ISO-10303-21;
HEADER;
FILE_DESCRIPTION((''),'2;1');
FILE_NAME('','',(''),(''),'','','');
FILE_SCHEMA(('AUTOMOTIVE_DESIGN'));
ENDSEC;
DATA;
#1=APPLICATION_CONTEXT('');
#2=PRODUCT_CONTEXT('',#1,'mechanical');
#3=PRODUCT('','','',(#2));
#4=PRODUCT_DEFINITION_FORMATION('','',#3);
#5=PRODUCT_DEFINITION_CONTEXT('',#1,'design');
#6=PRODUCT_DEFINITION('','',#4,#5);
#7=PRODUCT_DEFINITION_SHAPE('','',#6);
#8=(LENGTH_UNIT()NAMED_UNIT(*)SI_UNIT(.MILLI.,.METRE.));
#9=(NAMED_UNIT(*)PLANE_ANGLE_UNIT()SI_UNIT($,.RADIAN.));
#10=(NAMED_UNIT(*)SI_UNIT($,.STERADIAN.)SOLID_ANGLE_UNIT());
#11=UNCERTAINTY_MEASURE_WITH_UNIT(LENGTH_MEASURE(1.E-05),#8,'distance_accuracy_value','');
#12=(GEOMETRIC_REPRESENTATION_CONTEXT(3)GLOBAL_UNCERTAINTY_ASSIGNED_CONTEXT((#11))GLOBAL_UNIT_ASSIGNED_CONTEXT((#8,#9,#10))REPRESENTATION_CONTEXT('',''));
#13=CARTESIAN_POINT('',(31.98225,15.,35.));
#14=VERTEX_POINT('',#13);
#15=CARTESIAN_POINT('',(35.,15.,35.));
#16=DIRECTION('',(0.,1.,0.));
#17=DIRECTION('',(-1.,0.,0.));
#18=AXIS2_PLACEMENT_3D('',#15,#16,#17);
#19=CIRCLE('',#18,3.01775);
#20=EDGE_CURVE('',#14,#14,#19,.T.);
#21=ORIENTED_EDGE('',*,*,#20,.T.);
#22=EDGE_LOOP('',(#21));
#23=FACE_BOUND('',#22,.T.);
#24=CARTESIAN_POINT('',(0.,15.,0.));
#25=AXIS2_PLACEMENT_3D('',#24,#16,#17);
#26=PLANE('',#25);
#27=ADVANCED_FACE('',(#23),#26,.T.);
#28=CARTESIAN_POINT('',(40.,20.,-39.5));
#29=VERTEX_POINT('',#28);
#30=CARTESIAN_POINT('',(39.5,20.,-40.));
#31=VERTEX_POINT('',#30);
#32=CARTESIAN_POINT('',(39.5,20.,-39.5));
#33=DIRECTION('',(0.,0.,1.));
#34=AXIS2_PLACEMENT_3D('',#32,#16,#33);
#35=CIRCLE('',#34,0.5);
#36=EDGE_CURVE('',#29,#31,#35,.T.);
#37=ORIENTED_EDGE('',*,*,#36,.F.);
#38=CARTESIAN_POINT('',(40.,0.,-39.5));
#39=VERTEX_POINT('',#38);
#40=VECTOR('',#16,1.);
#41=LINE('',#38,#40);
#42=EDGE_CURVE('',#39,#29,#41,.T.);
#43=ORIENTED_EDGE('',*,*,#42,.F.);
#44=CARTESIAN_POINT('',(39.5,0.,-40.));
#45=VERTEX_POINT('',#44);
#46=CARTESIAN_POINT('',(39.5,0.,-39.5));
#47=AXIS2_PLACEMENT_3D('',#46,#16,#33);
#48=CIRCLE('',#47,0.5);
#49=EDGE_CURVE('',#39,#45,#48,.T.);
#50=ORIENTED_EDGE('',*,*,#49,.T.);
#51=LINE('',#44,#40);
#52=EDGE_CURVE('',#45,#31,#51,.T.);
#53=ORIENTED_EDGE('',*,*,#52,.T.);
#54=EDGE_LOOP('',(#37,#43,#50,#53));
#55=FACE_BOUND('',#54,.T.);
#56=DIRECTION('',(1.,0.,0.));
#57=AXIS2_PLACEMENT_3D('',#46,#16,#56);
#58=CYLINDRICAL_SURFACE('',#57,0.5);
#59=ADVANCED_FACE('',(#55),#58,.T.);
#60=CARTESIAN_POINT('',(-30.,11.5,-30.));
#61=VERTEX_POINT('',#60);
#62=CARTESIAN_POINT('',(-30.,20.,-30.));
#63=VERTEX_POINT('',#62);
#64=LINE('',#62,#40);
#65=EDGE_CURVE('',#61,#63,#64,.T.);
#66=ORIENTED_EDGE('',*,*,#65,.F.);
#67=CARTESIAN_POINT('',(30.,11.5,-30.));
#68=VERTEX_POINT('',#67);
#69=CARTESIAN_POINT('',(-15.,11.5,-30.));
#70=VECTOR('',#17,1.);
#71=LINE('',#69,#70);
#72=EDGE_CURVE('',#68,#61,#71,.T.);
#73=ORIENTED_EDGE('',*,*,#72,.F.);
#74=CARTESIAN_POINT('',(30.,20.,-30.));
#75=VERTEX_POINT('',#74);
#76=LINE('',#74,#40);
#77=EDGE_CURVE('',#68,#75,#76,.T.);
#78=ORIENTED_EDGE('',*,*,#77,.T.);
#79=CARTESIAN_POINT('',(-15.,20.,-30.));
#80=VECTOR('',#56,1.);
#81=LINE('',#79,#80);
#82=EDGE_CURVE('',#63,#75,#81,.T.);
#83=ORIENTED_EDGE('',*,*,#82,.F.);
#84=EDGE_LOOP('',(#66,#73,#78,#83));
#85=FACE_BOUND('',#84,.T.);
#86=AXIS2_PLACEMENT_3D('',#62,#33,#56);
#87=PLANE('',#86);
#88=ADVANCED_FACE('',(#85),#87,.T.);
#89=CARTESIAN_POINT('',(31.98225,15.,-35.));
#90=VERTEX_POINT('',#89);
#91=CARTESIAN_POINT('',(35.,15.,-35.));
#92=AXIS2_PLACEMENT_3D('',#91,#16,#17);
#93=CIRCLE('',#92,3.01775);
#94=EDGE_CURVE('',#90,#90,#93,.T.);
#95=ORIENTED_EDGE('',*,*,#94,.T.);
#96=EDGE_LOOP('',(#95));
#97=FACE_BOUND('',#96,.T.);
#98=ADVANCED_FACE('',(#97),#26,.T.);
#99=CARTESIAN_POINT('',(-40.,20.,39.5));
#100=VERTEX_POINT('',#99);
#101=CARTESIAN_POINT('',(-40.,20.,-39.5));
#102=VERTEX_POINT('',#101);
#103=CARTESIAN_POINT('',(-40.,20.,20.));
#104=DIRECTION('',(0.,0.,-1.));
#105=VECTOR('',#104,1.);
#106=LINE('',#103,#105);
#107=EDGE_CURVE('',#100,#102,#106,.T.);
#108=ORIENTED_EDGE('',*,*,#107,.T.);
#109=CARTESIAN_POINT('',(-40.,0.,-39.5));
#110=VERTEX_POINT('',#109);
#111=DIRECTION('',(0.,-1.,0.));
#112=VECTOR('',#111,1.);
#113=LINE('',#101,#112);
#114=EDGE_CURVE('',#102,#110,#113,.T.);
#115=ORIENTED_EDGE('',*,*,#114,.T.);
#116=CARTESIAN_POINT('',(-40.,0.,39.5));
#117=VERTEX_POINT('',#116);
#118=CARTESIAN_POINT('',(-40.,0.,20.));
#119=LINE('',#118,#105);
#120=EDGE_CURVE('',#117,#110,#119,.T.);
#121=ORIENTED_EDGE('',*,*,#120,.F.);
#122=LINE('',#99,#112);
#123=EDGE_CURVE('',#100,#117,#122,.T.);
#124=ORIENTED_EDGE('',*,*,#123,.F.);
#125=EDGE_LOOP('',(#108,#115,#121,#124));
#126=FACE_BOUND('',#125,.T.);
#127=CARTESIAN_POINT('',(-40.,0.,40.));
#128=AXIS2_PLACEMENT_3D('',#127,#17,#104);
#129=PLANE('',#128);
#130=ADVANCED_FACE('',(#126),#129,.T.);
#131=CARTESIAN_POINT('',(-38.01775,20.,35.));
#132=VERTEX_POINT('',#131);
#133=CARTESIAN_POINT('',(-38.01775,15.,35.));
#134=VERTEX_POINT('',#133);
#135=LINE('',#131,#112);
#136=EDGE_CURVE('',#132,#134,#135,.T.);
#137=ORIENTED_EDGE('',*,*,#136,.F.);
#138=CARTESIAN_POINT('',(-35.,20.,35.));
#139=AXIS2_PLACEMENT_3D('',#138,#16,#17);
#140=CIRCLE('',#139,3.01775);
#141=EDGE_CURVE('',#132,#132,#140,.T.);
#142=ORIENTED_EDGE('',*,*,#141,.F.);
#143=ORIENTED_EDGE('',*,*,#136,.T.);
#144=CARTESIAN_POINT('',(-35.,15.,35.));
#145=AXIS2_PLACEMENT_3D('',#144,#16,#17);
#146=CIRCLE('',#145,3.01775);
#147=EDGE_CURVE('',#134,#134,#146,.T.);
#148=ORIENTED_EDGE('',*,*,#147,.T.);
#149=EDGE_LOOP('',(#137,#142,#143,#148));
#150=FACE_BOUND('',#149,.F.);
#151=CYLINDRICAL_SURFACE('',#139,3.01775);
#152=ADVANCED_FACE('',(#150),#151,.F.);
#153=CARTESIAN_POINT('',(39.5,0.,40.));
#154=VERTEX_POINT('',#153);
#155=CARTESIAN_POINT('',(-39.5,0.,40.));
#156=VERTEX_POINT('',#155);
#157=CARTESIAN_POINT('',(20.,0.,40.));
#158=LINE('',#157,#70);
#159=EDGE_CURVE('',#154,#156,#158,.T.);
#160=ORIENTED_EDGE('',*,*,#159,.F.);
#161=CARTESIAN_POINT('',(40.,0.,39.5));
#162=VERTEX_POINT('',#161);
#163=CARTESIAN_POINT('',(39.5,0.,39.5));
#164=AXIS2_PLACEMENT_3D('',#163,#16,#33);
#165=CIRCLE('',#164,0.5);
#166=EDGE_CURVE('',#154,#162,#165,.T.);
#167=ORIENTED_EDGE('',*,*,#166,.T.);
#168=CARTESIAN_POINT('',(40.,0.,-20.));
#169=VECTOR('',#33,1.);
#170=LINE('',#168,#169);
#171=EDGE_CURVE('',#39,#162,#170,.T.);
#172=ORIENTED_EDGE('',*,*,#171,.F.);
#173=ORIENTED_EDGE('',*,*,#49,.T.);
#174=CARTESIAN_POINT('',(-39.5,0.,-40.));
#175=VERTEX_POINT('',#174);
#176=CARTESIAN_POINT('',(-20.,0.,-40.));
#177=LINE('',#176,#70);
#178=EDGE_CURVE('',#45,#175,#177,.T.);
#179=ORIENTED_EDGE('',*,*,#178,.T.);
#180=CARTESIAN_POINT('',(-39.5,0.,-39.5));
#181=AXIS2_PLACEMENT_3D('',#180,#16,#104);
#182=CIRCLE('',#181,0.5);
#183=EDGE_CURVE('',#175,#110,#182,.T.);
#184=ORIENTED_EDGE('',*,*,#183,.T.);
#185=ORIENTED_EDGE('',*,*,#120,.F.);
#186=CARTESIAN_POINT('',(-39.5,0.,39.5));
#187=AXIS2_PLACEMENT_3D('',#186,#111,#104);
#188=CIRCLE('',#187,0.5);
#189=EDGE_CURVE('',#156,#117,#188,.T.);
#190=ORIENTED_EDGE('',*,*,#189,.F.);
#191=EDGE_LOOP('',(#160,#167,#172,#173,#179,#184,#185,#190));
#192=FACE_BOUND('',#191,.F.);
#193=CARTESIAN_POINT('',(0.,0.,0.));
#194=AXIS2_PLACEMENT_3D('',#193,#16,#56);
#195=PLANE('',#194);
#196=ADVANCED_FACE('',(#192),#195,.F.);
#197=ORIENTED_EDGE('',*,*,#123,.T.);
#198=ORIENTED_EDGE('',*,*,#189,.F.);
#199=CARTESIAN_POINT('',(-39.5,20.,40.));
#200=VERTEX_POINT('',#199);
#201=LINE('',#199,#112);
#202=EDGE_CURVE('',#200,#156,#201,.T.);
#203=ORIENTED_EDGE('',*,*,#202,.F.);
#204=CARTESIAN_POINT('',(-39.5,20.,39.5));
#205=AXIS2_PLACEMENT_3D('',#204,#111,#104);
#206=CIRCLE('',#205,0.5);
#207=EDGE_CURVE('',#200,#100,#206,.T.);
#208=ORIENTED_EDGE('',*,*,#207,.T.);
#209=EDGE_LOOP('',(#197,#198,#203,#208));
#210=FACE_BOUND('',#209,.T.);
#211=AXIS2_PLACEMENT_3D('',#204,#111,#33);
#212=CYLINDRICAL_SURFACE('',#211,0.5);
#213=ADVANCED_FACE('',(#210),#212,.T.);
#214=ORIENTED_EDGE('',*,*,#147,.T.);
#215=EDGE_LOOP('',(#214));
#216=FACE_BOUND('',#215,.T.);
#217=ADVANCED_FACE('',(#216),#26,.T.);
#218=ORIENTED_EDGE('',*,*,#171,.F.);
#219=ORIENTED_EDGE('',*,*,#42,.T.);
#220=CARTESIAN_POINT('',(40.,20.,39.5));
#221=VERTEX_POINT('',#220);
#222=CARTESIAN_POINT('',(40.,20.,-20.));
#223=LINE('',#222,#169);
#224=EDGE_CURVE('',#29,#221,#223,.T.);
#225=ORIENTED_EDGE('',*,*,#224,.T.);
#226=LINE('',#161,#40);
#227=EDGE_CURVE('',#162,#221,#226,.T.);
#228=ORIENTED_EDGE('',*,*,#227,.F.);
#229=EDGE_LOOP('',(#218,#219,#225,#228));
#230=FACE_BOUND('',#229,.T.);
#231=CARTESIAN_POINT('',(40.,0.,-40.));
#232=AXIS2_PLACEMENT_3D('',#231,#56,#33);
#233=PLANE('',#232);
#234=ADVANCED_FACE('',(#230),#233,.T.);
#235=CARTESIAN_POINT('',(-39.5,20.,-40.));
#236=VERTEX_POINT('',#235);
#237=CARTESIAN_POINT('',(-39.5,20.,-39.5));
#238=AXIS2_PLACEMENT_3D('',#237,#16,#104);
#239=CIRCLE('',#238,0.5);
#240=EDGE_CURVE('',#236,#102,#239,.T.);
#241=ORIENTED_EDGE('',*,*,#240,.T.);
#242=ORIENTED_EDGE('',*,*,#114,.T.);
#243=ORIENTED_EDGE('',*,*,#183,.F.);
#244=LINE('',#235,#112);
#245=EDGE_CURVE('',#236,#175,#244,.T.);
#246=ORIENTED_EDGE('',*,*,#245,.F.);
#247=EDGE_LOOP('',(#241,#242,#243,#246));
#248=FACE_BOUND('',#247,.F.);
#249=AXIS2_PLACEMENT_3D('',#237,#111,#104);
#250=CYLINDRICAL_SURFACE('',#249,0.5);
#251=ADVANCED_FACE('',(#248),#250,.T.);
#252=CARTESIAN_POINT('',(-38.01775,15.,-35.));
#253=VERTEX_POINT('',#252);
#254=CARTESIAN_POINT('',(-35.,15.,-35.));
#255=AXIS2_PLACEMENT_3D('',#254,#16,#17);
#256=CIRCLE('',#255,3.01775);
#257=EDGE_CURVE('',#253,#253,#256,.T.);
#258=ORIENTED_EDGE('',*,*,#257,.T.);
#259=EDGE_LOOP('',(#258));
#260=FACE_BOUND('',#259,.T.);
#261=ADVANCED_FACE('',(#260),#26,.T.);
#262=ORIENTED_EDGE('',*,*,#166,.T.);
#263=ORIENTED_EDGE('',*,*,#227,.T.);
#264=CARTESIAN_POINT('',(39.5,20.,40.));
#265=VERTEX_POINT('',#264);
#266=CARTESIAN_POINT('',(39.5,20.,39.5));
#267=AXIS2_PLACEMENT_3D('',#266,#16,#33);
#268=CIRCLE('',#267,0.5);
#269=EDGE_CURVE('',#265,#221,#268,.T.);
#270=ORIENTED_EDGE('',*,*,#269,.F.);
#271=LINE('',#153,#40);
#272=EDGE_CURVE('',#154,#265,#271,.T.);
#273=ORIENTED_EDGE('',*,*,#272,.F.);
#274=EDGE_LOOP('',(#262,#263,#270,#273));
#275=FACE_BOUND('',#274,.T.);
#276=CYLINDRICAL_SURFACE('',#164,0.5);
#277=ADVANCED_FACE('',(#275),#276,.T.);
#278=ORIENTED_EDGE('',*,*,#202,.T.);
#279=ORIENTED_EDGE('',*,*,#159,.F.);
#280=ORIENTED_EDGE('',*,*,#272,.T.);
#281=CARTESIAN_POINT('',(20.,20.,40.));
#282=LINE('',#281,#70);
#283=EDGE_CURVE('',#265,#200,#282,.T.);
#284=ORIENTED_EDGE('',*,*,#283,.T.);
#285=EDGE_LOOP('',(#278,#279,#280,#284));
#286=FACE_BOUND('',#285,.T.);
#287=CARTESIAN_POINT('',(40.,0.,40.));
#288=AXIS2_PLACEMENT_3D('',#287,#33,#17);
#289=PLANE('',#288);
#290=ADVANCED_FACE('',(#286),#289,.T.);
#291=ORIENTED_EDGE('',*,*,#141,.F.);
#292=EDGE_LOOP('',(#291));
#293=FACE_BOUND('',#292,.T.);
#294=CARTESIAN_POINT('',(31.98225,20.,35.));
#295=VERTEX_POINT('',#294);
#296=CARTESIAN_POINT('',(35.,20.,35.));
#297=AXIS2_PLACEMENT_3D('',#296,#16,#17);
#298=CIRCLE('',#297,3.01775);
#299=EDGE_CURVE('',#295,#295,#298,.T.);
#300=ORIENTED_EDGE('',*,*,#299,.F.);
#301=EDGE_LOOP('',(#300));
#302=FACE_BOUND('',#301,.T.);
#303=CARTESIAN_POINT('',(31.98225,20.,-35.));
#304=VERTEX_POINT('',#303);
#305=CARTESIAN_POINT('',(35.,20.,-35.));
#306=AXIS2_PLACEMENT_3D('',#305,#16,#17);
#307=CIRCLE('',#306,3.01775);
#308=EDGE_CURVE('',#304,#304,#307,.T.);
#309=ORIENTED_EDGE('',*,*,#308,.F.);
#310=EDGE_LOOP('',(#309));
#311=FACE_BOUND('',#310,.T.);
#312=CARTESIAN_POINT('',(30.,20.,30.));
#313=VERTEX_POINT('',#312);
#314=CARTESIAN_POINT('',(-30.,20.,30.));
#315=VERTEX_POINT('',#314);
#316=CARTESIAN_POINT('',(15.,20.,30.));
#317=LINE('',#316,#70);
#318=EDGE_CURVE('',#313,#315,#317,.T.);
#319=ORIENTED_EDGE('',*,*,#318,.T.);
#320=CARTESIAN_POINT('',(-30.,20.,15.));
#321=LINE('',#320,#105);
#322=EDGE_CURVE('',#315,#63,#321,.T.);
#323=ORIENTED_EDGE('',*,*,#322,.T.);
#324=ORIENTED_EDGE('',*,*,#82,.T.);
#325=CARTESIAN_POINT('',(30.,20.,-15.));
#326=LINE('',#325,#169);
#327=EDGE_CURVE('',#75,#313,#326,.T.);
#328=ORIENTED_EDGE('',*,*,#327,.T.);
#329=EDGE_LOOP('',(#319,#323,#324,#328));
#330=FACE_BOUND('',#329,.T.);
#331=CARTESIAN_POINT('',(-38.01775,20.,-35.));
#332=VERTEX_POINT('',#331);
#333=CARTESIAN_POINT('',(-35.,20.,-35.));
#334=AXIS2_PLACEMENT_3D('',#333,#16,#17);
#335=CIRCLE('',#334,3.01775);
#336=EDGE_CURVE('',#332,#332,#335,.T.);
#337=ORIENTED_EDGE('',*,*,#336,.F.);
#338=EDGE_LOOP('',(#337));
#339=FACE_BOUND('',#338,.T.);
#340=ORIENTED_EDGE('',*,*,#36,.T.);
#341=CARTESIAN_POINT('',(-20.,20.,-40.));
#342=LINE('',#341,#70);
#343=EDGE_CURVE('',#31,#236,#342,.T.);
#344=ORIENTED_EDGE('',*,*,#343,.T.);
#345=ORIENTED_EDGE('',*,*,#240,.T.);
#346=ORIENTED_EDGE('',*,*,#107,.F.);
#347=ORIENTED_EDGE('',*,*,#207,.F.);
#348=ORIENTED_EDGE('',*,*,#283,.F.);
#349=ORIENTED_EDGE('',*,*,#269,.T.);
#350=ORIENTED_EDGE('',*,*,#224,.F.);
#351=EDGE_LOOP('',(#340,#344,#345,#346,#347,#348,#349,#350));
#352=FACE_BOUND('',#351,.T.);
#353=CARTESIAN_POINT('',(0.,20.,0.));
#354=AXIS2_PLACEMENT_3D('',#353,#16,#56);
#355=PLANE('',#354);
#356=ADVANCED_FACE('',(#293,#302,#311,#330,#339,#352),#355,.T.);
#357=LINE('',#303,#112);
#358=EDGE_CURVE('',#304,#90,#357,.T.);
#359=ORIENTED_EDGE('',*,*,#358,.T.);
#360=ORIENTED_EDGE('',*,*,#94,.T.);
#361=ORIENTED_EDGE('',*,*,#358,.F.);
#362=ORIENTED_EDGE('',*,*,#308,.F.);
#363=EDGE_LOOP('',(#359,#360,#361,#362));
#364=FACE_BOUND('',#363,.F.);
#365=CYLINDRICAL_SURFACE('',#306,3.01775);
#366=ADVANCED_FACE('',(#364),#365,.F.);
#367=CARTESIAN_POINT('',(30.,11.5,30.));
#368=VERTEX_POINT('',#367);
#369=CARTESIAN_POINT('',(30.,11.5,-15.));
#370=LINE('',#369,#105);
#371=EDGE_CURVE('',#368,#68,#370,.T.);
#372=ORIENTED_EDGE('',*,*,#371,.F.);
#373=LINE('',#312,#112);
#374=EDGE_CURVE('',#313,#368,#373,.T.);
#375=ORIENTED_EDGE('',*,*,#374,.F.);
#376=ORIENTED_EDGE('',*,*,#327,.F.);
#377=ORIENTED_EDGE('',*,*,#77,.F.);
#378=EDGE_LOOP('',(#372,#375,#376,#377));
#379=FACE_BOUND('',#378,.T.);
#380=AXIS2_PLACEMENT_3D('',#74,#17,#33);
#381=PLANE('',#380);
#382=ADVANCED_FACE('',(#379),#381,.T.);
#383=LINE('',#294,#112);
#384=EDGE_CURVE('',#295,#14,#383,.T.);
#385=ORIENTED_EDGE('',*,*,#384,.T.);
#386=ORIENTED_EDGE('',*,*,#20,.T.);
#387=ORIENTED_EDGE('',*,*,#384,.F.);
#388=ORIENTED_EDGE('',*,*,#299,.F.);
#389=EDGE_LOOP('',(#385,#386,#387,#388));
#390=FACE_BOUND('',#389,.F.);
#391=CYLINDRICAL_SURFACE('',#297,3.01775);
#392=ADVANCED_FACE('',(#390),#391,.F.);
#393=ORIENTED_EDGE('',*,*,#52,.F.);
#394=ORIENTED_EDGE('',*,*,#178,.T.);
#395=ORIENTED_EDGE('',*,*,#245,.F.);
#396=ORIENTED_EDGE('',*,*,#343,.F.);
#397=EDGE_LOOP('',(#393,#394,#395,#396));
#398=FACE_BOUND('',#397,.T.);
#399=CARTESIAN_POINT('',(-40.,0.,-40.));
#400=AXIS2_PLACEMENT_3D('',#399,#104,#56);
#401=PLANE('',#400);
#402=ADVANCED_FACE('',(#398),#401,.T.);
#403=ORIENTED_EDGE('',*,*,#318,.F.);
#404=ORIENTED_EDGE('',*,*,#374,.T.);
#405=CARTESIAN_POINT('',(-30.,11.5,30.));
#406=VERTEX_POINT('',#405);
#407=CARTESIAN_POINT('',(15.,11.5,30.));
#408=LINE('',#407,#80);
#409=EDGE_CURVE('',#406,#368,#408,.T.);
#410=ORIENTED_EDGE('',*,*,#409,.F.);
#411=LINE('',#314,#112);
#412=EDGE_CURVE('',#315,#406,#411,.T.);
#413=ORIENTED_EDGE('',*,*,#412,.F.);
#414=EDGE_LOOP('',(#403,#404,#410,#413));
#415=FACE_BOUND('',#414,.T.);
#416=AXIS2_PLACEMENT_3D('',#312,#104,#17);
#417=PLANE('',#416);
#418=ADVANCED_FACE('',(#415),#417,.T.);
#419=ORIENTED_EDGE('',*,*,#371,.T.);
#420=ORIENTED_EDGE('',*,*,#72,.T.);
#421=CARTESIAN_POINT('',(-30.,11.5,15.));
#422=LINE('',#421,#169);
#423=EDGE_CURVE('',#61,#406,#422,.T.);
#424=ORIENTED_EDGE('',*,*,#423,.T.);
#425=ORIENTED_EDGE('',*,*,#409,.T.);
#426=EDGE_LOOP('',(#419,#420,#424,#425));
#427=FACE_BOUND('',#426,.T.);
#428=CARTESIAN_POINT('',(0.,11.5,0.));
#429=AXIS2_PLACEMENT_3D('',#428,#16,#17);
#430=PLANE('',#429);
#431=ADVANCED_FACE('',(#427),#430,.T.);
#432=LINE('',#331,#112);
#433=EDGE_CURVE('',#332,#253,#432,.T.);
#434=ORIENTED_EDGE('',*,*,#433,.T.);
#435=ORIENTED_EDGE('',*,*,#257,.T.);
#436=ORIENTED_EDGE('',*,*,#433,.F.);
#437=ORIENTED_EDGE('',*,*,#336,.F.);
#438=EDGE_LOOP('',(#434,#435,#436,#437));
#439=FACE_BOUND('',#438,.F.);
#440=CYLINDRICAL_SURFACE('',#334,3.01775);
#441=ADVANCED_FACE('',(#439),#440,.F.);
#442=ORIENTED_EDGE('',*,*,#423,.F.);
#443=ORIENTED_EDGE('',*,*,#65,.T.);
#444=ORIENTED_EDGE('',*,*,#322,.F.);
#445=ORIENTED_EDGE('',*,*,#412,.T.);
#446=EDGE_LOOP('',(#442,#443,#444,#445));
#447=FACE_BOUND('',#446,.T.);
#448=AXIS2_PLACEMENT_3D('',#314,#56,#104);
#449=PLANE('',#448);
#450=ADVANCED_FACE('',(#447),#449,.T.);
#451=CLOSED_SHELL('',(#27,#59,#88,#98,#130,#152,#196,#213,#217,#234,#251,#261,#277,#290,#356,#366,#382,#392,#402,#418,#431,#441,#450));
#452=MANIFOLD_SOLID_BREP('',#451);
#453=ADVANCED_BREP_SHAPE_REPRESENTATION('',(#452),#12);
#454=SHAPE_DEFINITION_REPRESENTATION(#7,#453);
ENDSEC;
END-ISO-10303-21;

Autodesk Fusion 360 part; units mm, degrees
sketch "Sketch1" plane through (0, 0, 0) normal (0, 1, 0) x (1, 0, 0)
  line L0 (40, -40) -> (-40, -40)
  line L1 (-40, -40) -> (-40, 40)
  line L2 (-40, 40) -> (40, 40)
  line L3 (40, 40) -> (40, -40)
  line L4 (40, -40) -> (-40, 40) construction
  line L5 (-40, -40) -> (40, 40) construction
  dimension "d1" = 80
  dimension "d2" = 80
extrude "Extrude1" add sketch "Sketch1" along normal blind 20
sketch "Sketch2" plane through (0, 20, 0) normal (0, 1, 0) x (-1, 0, 0)
  line L0 (-40, -40) -> (40, -40)
  line L1 (40, -40) -> (40, 40)
  line L2 (40, 40) -> (-40, 40)
  line L3 (-40, 40) -> (-40, -40)
  line L4 (40, -40) -> (35, -40)
  line L5 (-40, -40) -> (-35, -40)
  line L6 (40, -40) -> (40, -35)
  line L7 (-40, -40) -> (-40, -35)
  line L8 (40, 40) -> (40, 35)
  line L9 (40, 40) -> (35, 40)
  line L10 (-40, 40) -> (-40, 35)
  line L11 (-40, 40) -> (-35, 40)
  circle A0 centre (35, 35) radius 3.75
  circle A1 centre (-35, 35) radius 3.75
  circle A2 centre (35, -35) radius 3.75
  circle A3 centre (-35, -35) radius 3.75
  line L12 (-30, 30) -> (30, 30)
  line L13 (30, 30) -> (30, -30)
  line L14 (30, -30) -> (-30, -30)
  line L15 (-30, -30) -> (-30, 30)
  line L16 (-30, 30) -> (30, -30) construction
  line L17 (30, 30) -> (-30, -30) construction
  dimension "d5" = 5
  dimension "d6" = 5
  dimension "d7" = 5
  dimension "d8" = 5
  dimension "d9" = 5
  dimension "d10" = 5
  dimension "d11" = 5
  dimension "d12" = 5
  dimension "d13" = 7.5
  dimension "d14" = 7.5
  dimension "d15" = 7.5
  dimension "d16" = 7.5
  dimension "d25" = 60
  dimension "d26" = 60
extrude "Extrude6" cut sketch "Sketch2" against normal blind 8.5 contours L12 L13 L14 L15
extrude "Extrude2" cut sketch "Sketch2" against normal blind 5 contours A0
extrude "Extrude3" cut sketch "Sketch2" against normal blind 5 contours A2
extrude "Extrude4" cut sketch "Sketch2" against normal blind 5 contours A1
extrude "Extrude5" cut sketch "Sketch2" against normal blind 5 contours A3
thread "Thread1" "ISO Metric profile 7.0 M7x1 6H" major diameter 7.1472 minor diameter 6.0355 pitch 1 angle 60 resizes the face on face at (-38.7453, 16.6667, 34.8131)
thread "Thread2" "ISO Metric profile 7.0 M7x1 6H" major diameter 7.1472 minor diameter 6.0355 pitch 1 angle 60 resizes the face on face at (-38.7453, 16.6667, -35.1869)
thread "Thread3" "ISO Metric profile 7.0 M7x1 6H" major diameter 7.1472 minor diameter 6.0355 pitch 1 angle 60 resizes the face on face at (31.2547, 16.6667, 34.8131)
thread "Thread4" "ISO Metric profile 7.0 M7x1 6H" major diameter 7.1472 minor diameter 6.0355 pitch 1 angle 60 resizes the face on face at (31.2547, 16.6667, -35.1869)
fillet "Fillet1" radius 0.5 1 edges at (40, 10, 40)
fillet "Fillet2" radius 0.5 1 edges at (-40, 10, 40)
fillet "Fillet3" radius 0.5 1 edges at (40, 10, -40)
fillet "Fillet4" radius 0.5 1 edges at (-40, 10, -40)
